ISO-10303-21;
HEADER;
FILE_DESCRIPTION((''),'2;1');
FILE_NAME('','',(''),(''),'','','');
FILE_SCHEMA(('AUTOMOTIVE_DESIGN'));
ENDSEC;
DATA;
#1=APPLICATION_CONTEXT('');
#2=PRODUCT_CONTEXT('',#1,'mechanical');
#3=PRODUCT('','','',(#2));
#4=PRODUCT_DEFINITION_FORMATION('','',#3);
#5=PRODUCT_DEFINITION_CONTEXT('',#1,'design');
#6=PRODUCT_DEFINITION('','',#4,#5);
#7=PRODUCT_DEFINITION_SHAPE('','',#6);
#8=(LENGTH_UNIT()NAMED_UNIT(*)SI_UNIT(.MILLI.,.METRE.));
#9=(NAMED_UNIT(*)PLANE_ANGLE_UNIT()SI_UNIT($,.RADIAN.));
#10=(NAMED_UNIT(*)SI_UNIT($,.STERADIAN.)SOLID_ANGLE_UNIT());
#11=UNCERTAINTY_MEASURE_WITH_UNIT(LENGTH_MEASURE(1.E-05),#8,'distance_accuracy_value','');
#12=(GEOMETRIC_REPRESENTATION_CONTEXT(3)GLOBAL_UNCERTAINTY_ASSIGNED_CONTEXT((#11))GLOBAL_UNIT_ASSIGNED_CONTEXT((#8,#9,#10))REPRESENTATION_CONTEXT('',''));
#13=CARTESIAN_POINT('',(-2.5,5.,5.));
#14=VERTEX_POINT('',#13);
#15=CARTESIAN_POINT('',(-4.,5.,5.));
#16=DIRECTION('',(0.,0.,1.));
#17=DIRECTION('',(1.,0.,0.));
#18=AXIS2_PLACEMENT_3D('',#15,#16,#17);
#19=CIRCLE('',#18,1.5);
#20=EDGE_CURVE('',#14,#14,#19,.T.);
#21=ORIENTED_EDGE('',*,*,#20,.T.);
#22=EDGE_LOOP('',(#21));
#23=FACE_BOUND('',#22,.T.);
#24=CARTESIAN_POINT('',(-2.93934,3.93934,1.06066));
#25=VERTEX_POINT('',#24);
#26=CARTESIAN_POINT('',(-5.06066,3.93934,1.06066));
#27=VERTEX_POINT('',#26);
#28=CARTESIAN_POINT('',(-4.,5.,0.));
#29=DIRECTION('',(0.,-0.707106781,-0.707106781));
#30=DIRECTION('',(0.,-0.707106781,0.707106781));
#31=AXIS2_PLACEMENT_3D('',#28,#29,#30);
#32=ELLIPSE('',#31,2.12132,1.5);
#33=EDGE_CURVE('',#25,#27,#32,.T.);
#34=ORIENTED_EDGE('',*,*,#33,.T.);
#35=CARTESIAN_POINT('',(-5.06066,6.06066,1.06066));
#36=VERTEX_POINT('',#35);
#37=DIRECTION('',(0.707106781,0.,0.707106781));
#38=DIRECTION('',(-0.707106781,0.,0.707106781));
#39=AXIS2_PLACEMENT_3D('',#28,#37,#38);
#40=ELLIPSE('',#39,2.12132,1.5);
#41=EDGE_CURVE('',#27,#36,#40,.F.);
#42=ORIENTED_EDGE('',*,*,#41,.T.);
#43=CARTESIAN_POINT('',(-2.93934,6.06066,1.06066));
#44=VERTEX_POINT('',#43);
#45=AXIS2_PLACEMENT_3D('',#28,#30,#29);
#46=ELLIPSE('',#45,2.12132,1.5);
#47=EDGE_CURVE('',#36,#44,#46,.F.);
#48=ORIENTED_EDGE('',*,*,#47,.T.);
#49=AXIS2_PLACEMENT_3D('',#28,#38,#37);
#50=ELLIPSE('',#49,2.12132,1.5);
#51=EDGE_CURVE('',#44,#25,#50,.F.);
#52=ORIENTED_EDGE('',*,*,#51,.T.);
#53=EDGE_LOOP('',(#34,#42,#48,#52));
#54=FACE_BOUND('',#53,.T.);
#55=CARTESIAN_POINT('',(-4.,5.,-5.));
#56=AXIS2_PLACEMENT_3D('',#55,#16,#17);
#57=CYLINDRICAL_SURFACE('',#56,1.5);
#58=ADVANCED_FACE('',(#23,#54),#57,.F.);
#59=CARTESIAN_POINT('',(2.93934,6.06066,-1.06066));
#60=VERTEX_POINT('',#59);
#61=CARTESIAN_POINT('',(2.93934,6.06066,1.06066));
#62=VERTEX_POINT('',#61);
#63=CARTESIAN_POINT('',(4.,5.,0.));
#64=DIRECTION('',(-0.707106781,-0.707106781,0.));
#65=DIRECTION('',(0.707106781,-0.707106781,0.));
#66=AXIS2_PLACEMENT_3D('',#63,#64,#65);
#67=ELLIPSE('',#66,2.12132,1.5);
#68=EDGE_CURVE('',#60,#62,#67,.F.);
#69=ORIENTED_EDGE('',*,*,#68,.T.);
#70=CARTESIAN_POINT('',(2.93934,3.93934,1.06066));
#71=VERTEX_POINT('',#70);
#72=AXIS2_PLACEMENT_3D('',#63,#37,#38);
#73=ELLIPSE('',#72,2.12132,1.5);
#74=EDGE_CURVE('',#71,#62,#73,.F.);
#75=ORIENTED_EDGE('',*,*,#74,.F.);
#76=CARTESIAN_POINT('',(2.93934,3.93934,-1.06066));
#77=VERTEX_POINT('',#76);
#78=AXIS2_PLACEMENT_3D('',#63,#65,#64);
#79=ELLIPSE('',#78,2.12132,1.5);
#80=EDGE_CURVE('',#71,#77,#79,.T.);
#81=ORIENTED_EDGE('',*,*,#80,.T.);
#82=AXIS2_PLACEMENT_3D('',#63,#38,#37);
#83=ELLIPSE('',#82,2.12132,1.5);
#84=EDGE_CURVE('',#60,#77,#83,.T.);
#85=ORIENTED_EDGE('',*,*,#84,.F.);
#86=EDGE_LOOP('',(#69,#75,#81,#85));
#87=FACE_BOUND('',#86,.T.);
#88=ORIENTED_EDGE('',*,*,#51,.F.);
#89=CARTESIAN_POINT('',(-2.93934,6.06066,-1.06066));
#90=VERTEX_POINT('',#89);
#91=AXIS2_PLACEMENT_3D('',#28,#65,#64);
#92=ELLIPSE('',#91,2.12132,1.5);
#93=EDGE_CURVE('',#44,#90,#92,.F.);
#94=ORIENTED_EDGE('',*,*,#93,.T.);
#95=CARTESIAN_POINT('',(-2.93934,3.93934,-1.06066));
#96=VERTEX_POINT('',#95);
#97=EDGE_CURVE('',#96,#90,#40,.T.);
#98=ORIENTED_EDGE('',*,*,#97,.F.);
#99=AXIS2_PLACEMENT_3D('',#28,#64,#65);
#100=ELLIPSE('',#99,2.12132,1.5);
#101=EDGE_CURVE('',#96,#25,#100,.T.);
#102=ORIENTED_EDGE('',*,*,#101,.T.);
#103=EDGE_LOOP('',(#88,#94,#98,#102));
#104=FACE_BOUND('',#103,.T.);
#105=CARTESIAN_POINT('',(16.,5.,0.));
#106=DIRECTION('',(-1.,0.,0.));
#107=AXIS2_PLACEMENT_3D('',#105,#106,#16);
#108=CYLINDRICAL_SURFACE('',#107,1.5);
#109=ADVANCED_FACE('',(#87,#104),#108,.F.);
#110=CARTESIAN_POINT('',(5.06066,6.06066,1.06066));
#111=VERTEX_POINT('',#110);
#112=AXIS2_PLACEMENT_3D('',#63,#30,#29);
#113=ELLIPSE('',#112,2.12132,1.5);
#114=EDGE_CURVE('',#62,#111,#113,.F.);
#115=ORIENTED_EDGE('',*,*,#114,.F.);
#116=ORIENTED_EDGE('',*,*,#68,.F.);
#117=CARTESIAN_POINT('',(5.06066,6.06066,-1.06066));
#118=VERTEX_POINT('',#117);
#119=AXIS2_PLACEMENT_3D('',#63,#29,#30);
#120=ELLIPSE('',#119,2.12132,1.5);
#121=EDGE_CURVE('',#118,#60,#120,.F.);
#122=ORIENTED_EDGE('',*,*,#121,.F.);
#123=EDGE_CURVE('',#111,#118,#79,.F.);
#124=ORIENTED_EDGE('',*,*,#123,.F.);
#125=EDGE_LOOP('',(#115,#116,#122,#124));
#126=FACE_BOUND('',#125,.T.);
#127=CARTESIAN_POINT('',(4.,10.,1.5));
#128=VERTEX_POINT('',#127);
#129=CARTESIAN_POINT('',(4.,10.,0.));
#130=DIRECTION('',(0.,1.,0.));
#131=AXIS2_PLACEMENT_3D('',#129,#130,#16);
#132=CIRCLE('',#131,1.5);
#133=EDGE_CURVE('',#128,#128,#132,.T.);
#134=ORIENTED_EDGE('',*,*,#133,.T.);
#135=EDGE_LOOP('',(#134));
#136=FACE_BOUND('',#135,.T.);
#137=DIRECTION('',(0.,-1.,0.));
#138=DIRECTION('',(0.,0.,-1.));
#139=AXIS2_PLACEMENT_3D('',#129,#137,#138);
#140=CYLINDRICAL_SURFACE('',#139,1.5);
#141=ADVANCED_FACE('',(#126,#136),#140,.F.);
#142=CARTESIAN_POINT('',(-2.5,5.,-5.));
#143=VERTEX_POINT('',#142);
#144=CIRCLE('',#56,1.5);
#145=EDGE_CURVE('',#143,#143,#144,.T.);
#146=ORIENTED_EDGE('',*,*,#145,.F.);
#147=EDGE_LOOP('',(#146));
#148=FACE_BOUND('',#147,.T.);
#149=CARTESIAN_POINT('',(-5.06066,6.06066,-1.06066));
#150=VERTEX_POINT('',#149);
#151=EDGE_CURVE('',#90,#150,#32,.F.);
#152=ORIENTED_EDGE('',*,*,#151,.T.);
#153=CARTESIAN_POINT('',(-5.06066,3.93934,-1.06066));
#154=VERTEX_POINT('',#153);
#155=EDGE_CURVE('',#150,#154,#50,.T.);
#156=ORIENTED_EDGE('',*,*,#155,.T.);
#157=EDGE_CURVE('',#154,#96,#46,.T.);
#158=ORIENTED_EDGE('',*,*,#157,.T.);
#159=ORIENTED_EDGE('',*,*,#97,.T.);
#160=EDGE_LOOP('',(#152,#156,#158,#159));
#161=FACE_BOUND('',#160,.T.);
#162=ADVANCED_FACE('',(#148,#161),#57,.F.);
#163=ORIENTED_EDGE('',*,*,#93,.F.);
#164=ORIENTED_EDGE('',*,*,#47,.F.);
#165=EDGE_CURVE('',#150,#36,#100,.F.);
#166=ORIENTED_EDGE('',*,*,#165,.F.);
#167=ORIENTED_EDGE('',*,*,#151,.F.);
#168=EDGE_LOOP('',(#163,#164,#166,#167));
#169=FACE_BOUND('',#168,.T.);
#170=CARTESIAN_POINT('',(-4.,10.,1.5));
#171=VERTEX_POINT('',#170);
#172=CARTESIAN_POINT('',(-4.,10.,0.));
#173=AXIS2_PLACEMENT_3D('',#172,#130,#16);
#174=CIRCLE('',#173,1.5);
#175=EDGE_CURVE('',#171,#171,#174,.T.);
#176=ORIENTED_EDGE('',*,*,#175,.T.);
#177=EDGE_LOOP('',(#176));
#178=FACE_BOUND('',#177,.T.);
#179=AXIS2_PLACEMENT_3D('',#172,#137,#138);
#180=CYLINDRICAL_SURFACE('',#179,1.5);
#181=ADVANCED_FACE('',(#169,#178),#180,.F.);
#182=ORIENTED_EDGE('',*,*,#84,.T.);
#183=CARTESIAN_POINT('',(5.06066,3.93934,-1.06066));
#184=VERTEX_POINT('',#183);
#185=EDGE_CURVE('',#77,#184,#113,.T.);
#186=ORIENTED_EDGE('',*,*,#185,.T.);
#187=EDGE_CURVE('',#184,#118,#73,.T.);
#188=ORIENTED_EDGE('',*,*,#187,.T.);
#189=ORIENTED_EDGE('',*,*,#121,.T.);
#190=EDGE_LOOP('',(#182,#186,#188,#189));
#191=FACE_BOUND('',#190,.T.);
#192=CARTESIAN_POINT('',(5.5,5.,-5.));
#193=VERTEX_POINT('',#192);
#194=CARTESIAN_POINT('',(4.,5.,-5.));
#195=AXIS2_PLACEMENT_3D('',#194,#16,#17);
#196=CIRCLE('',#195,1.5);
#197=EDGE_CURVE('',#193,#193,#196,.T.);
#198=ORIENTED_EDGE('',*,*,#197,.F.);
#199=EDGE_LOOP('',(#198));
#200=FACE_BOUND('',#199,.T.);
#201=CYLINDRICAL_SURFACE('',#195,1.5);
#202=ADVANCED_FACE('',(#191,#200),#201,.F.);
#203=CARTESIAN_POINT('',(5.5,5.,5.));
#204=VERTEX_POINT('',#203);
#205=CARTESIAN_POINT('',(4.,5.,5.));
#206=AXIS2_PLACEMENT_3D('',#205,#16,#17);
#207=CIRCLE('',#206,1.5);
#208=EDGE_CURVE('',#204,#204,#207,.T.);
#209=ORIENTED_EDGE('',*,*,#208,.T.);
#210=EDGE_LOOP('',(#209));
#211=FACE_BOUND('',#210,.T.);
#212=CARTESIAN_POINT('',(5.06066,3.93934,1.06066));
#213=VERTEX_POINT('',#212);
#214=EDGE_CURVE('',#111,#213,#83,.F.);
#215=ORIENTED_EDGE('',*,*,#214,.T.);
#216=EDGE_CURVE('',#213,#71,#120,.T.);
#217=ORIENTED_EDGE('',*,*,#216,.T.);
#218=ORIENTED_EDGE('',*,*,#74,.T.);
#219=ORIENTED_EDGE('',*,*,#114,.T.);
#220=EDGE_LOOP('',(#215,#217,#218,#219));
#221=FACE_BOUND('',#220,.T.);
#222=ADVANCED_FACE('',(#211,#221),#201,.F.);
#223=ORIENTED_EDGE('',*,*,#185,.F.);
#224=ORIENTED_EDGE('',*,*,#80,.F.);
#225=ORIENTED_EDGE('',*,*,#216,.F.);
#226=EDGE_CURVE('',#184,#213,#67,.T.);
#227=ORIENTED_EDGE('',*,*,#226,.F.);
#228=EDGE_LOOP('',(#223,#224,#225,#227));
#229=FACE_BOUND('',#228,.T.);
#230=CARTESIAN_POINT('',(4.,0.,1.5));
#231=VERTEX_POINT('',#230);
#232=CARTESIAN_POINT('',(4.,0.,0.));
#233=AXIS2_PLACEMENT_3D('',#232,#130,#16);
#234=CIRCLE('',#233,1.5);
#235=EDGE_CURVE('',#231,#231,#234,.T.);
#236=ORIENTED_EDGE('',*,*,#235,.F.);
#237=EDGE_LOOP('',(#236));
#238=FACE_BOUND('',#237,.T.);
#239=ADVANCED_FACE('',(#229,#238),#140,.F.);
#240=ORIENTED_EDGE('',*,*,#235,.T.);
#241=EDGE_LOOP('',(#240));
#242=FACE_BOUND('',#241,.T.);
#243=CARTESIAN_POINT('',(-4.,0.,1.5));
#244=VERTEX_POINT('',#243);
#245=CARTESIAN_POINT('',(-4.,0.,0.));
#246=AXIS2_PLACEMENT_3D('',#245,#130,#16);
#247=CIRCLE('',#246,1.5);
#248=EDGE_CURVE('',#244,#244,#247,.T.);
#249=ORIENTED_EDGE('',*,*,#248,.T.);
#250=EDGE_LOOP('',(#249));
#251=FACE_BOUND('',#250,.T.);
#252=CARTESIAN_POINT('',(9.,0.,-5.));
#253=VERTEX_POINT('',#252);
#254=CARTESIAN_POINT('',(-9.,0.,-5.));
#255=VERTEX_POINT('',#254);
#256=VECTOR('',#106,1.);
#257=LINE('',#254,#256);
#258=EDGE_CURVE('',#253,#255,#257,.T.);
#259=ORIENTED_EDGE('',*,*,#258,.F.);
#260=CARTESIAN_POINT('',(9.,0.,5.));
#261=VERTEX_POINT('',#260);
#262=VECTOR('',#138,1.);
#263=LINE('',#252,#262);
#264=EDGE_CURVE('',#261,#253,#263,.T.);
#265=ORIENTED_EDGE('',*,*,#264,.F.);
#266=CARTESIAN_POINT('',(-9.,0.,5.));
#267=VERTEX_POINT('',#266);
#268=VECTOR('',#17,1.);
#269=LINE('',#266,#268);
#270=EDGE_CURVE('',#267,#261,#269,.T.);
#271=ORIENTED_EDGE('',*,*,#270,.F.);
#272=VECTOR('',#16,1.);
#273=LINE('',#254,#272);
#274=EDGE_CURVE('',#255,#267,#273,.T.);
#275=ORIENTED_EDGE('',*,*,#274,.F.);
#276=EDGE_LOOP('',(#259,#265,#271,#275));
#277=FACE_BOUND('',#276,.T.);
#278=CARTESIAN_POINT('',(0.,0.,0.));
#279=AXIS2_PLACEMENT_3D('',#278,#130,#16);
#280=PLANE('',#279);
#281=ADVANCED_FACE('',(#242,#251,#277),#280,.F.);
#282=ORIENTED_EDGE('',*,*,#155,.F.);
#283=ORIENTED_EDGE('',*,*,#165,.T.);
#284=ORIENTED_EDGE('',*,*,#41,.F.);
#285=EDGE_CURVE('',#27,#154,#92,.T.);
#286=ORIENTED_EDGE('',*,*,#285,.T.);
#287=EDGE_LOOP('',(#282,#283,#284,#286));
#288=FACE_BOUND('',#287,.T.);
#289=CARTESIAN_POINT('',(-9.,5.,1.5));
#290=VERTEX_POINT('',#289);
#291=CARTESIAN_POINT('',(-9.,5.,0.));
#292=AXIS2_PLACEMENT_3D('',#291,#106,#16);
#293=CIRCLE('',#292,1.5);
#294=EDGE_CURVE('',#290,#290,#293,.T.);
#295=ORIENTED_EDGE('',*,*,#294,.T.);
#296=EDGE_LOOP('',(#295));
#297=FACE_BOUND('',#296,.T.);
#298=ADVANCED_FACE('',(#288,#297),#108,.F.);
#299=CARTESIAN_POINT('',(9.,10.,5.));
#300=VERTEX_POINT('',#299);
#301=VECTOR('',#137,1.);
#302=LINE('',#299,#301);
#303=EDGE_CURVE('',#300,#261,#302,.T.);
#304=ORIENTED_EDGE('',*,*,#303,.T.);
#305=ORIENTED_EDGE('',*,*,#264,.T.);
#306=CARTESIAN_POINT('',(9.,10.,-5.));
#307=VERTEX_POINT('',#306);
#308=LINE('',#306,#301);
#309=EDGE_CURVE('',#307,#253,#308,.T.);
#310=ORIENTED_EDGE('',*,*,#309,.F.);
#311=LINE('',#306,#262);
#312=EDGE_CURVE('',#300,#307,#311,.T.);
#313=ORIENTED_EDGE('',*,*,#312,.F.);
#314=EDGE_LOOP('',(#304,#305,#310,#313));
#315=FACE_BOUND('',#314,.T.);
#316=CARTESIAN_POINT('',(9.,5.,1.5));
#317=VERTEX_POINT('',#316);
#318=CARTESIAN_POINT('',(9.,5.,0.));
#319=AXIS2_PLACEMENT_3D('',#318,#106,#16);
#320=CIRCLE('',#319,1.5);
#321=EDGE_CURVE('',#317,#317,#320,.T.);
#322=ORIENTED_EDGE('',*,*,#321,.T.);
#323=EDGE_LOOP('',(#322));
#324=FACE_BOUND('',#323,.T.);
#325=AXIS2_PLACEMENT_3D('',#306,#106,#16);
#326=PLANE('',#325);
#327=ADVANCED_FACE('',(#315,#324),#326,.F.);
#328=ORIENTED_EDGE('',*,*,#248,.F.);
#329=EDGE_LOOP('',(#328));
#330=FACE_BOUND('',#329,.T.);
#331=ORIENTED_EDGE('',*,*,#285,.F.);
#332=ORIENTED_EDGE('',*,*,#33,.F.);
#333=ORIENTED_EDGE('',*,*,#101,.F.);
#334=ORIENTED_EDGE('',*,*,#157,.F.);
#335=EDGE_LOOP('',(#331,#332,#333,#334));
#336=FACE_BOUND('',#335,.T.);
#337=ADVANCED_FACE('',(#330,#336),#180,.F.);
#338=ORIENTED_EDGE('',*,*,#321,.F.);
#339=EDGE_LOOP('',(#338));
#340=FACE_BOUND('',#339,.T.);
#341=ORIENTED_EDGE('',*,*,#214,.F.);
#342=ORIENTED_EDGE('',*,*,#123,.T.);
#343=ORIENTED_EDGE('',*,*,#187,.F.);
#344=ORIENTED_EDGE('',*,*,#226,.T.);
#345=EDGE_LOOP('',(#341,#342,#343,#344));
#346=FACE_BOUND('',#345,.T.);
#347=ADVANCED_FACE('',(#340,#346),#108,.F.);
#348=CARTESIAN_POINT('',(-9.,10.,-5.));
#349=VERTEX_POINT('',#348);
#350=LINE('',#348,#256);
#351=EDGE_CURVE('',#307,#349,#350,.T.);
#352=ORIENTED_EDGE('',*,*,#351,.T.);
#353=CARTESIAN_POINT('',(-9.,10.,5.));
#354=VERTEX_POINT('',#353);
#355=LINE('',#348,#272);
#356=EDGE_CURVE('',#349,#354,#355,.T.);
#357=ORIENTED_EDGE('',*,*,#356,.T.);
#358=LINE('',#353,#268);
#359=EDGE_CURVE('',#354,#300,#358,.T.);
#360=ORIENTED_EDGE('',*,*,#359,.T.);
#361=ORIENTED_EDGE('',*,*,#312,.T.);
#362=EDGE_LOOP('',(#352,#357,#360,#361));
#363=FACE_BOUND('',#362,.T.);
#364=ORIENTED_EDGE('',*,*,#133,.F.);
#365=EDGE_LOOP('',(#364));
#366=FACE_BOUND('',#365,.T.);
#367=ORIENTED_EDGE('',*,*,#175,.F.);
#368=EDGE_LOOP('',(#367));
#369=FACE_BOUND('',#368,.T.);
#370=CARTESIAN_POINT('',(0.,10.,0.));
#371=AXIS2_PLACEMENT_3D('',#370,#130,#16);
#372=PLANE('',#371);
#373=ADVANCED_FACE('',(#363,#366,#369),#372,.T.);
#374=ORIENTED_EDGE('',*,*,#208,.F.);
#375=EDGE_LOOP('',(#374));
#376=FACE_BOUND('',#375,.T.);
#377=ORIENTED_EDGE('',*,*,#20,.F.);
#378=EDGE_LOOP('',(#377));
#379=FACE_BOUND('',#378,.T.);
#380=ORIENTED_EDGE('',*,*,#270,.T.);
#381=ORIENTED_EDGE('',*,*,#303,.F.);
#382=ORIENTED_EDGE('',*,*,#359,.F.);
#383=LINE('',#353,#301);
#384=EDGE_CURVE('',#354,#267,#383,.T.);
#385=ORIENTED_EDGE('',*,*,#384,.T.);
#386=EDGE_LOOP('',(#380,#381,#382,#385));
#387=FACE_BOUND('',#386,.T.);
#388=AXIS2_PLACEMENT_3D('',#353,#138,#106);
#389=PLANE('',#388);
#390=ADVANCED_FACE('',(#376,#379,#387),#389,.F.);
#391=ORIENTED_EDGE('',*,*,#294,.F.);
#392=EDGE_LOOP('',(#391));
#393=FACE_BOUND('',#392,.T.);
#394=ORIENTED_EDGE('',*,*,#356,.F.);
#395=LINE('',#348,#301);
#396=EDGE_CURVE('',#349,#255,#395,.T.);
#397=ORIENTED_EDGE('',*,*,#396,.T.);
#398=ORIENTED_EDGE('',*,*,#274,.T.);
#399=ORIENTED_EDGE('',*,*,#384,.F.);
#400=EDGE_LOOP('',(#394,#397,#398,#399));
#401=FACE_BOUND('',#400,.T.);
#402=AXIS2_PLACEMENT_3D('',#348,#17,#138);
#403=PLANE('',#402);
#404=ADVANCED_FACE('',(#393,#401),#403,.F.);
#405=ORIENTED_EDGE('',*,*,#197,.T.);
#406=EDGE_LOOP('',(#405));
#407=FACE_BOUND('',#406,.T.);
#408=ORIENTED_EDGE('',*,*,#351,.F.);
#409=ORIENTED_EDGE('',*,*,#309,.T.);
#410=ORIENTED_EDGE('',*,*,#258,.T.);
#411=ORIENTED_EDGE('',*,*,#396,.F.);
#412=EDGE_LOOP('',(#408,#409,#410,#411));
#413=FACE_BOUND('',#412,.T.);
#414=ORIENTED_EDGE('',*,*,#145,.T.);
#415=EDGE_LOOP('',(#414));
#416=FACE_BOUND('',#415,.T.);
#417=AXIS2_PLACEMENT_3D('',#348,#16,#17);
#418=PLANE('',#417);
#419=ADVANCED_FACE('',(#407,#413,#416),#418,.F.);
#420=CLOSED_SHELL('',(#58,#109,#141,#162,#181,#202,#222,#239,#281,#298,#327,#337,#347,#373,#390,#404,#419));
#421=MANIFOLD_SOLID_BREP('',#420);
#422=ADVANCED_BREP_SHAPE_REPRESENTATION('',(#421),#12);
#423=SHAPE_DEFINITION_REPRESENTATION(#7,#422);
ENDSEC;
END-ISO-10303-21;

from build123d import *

# Parameters (mm, degrees)
SKETCH_1_W          = 18
SKETCH_1_H          = 10
SKETCH_1_R          = 1.5
EXTRUDE_1_DEPTH     = 10
SKETCH_2_R          = 1.5
CUT_EXTRUDE_1_DEPTH = 10
SKETCH_4_R          = 1.5
CUT_EXTRUDE_2_DEPTH = 25


with BuildPart() as part:
    # 草图1 → 凸台-拉伸1 (new body)
    with BuildSketch(Plane(origin=(0, 0, 0), x_dir=(1, 0, 0), z_dir=(0, 1, 0))):
        Rectangle(SKETCH_1_W, SKETCH_1_H)
        with Locations(Location((-4, 0, 0), (0, 0, 270))):
            Circle(SKETCH_1_R, mode=Mode.SUBTRACT)
        with Locations(Location((4, 0, 0), (0, 0, 270))):
            Circle(SKETCH_1_R, mode=Mode.SUBTRACT)
    extrude(amount=EXTRUDE_1_DEPTH)

    # 草图2 → 切除-拉伸1 (cut)
    with BuildSketch(Plane.XY.offset(5)):
        with Locations((-4, 5)):
            Circle(SKETCH_2_R)
        with Locations((4, 5)):
            Circle(SKETCH_2_R)
    extrude(amount=-CUT_EXTRUDE_1_DEPTH, mode=Mode.SUBTRACT)

    # 草图4 → 切除-拉伸2 (cut)
    with BuildSketch(Plane.ZY.offset(9)):
        with Locations(Location((0, 5, 0), (0, 0, 315))):
            Circle(SKETCH_4_R)
    extrude(amount=-CUT_EXTRUDE_2_DEPTH, mode=Mode.SUBTRACT)


solid = part.part
